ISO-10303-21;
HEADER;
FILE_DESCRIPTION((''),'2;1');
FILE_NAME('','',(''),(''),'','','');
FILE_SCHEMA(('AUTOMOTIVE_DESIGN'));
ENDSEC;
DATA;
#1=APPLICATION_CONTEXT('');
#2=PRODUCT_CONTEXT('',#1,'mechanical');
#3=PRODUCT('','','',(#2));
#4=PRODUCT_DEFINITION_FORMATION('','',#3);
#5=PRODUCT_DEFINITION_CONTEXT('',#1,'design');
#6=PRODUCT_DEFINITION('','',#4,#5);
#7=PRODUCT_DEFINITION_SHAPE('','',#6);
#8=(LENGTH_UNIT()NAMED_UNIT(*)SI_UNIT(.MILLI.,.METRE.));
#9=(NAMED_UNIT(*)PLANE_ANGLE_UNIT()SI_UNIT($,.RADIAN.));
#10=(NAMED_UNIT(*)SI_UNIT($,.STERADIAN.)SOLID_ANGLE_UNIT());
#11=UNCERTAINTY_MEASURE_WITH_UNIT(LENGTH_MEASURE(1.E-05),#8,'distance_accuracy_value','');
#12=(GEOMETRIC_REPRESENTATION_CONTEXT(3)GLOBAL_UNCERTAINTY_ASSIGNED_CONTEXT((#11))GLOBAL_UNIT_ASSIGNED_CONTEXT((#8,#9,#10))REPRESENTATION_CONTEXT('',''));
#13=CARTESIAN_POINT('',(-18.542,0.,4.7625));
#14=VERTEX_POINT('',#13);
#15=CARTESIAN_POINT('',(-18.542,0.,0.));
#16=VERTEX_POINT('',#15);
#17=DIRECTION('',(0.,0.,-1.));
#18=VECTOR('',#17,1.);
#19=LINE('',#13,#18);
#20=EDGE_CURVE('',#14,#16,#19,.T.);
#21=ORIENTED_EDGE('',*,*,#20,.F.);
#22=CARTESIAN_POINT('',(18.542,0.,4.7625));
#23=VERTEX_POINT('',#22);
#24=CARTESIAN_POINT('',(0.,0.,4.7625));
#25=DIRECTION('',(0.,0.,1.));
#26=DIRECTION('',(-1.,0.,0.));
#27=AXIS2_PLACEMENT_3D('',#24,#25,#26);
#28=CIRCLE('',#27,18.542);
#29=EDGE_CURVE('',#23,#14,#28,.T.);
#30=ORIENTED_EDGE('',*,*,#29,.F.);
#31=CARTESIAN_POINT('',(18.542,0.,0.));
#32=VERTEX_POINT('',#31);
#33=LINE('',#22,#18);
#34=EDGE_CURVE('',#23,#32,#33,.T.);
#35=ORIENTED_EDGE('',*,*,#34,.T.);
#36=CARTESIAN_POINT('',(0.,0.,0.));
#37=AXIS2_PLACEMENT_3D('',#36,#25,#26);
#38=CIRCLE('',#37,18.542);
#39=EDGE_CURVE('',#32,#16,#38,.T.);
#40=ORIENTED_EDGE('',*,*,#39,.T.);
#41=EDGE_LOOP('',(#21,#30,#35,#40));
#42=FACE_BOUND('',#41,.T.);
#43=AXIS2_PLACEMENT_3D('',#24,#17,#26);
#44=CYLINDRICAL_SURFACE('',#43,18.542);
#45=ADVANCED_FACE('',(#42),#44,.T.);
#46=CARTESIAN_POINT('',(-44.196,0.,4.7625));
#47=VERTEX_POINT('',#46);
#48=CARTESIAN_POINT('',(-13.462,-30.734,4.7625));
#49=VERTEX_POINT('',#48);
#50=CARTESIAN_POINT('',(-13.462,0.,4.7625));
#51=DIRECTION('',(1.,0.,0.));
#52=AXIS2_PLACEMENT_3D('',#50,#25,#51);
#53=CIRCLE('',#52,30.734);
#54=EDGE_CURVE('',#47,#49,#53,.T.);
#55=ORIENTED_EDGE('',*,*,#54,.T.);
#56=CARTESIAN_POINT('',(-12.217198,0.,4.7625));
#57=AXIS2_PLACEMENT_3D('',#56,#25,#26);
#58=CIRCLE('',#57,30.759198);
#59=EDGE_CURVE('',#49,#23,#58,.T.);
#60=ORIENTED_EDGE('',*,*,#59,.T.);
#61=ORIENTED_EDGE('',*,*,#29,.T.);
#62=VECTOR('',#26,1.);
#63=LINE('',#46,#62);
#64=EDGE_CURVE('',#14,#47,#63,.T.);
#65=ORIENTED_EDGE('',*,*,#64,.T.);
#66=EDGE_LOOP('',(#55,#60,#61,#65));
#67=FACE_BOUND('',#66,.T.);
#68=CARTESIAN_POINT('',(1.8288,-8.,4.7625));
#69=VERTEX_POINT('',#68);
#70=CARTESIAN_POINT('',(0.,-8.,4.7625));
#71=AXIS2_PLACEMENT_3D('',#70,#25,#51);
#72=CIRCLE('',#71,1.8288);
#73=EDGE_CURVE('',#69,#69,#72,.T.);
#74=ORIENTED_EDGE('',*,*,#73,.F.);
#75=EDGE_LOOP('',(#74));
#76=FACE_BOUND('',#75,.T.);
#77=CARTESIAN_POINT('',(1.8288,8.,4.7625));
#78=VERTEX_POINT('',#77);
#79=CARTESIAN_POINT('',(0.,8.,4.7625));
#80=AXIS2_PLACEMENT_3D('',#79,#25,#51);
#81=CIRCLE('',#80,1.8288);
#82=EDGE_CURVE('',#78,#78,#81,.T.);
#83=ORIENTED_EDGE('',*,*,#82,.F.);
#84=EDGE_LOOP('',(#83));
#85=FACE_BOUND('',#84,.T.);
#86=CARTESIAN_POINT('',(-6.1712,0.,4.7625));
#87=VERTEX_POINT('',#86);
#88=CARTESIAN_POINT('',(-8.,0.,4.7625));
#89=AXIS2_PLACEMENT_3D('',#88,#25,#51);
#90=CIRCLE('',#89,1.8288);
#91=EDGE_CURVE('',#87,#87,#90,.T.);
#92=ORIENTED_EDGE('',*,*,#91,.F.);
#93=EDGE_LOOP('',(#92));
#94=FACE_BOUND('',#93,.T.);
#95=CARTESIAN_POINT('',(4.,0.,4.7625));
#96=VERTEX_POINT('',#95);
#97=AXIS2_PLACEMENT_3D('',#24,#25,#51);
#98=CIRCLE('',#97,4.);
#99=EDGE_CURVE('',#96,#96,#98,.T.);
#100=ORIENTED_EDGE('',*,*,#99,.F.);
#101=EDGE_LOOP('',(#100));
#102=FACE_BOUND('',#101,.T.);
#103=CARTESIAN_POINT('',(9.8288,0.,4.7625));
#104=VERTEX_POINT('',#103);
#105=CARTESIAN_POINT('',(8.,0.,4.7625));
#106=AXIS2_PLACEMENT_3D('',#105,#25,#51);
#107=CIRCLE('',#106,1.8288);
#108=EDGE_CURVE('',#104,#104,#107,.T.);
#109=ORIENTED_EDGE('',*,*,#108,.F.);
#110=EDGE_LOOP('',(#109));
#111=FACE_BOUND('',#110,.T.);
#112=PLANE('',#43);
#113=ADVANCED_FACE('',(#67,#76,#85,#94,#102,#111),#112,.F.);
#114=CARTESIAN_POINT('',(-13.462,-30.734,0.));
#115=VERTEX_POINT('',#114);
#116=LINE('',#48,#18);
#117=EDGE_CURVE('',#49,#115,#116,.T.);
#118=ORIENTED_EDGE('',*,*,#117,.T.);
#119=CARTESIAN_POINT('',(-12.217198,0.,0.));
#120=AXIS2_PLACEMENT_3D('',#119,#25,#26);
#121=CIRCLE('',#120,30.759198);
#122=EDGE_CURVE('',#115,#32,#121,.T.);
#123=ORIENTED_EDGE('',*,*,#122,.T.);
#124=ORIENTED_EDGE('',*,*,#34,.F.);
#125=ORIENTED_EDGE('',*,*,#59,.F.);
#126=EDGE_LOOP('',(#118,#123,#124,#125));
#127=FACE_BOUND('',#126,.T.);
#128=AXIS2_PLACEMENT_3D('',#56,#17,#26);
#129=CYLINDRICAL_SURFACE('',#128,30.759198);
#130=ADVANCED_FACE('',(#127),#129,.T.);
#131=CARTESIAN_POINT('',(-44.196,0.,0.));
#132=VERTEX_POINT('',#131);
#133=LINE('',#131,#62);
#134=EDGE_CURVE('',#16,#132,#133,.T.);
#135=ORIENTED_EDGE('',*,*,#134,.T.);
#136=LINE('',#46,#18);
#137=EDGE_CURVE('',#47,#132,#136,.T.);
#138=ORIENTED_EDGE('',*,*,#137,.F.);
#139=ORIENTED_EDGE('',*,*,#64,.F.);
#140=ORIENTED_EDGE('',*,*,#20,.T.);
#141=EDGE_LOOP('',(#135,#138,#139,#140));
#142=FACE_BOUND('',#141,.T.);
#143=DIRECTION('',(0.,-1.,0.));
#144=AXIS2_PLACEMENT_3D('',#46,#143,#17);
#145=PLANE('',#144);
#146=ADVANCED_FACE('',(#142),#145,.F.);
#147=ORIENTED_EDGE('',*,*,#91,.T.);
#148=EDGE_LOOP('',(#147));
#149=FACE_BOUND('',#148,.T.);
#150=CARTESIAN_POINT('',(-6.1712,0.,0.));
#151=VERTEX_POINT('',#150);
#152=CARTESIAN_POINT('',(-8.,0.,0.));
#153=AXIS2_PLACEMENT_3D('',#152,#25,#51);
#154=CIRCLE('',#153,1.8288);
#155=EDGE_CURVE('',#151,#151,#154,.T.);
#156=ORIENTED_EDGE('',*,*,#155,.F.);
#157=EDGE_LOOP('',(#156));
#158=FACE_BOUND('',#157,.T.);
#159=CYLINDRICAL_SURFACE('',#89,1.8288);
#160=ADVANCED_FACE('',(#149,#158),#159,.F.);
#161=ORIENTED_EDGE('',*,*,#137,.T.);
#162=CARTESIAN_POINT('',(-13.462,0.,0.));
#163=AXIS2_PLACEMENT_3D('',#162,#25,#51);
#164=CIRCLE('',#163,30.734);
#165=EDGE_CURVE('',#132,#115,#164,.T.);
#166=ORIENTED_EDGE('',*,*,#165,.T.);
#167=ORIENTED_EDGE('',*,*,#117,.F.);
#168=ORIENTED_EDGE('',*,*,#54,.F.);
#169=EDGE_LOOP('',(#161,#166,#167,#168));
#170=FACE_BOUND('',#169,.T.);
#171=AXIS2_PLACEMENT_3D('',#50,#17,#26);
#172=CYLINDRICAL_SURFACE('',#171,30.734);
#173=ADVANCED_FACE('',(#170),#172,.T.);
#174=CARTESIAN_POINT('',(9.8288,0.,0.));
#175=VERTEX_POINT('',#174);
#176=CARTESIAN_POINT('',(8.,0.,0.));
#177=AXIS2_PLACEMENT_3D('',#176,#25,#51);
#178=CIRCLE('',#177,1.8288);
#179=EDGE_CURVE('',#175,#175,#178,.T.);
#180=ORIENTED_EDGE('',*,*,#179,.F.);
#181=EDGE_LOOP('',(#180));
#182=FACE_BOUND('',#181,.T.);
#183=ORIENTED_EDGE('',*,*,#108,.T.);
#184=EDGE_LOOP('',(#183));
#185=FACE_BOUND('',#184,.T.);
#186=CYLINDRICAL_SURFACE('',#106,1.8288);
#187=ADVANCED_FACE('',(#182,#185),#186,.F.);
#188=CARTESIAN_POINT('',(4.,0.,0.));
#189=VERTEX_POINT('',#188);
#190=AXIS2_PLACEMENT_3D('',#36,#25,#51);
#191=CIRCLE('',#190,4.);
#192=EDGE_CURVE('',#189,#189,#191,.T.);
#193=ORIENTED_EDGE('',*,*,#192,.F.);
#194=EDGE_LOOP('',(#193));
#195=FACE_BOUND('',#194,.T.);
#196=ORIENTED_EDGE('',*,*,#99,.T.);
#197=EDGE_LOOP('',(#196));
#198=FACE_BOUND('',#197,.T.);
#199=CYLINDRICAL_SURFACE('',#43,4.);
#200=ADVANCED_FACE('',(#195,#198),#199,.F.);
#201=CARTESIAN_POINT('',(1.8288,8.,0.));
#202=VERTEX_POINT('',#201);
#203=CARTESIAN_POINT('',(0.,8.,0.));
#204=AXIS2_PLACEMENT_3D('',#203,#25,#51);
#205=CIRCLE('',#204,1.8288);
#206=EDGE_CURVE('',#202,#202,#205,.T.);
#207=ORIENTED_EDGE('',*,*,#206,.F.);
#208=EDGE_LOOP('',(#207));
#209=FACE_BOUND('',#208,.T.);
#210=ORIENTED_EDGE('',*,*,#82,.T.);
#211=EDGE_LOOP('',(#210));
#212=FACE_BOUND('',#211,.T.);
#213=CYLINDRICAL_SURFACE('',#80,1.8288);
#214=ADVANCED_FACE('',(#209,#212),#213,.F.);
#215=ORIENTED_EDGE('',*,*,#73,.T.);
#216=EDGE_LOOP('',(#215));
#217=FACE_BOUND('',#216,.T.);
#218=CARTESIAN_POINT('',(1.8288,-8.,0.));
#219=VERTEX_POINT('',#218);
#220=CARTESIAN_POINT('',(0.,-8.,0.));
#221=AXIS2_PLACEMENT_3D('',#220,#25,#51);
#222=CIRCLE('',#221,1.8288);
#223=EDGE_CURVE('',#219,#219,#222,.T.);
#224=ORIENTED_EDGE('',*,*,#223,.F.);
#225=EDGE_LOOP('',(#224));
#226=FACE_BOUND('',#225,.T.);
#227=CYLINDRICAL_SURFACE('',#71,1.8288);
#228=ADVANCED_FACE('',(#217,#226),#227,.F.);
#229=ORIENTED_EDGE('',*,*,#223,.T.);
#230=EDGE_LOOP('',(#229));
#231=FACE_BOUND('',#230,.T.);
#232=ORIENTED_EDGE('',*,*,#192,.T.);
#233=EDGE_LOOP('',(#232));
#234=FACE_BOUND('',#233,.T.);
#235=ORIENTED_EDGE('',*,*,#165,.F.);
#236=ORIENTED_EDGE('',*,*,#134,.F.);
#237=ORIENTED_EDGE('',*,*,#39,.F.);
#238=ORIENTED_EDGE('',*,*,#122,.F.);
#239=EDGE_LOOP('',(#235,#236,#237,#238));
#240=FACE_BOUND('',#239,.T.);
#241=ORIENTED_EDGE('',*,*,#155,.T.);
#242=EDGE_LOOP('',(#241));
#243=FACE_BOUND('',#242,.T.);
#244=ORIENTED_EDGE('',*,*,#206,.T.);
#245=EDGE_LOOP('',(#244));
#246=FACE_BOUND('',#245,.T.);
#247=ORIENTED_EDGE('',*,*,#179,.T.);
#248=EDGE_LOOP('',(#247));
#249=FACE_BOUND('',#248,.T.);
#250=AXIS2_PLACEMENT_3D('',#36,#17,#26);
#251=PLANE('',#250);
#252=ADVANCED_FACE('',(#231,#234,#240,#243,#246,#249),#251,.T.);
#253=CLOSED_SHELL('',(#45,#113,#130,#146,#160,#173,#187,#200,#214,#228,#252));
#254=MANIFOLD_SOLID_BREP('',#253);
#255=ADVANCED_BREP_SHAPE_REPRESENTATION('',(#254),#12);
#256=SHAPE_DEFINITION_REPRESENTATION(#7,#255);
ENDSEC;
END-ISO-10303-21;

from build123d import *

# Parameters (mm, degrees)
SKETCH1_R             = 4
BOSS_EXTRUDE1_DEPTH   = 4.7625
F_6_CLEARANCE_HOLE1_D = 3.6576


with BuildPart() as part:
    # Sketch1 → Boss-Extrude1 (new body)
    with BuildSketch(Plane.XY):
        with BuildLine():
            Line((-44.196, 0), (-18.542, 0))
            ThreePointArc((-18.542, 0), (0, 18.542), (18.542, 0))
            ThreePointArc((18.542, 0), (9.088190436, -22.185776818), (-13.462, -30.734))
            ThreePointArc((-13.462, -30.734), (-35.194219813, -21.732219813), (-44.196, 0))
        make_face()
        Circle(SKETCH1_R, mode=Mode.SUBTRACT)
    extrude(amount=BOSS_EXTRUDE1_DEPTH)

    # #6 Clearance Hole1 (through all)
    with Locations(Plane.XY.offset(4.7625)):
        with Locations((0, 8), (8, 0), (0, -8), (-8, 0)):
            Hole(F_6_CLEARANCE_HOLE1_D / 2)


solid = part.part
